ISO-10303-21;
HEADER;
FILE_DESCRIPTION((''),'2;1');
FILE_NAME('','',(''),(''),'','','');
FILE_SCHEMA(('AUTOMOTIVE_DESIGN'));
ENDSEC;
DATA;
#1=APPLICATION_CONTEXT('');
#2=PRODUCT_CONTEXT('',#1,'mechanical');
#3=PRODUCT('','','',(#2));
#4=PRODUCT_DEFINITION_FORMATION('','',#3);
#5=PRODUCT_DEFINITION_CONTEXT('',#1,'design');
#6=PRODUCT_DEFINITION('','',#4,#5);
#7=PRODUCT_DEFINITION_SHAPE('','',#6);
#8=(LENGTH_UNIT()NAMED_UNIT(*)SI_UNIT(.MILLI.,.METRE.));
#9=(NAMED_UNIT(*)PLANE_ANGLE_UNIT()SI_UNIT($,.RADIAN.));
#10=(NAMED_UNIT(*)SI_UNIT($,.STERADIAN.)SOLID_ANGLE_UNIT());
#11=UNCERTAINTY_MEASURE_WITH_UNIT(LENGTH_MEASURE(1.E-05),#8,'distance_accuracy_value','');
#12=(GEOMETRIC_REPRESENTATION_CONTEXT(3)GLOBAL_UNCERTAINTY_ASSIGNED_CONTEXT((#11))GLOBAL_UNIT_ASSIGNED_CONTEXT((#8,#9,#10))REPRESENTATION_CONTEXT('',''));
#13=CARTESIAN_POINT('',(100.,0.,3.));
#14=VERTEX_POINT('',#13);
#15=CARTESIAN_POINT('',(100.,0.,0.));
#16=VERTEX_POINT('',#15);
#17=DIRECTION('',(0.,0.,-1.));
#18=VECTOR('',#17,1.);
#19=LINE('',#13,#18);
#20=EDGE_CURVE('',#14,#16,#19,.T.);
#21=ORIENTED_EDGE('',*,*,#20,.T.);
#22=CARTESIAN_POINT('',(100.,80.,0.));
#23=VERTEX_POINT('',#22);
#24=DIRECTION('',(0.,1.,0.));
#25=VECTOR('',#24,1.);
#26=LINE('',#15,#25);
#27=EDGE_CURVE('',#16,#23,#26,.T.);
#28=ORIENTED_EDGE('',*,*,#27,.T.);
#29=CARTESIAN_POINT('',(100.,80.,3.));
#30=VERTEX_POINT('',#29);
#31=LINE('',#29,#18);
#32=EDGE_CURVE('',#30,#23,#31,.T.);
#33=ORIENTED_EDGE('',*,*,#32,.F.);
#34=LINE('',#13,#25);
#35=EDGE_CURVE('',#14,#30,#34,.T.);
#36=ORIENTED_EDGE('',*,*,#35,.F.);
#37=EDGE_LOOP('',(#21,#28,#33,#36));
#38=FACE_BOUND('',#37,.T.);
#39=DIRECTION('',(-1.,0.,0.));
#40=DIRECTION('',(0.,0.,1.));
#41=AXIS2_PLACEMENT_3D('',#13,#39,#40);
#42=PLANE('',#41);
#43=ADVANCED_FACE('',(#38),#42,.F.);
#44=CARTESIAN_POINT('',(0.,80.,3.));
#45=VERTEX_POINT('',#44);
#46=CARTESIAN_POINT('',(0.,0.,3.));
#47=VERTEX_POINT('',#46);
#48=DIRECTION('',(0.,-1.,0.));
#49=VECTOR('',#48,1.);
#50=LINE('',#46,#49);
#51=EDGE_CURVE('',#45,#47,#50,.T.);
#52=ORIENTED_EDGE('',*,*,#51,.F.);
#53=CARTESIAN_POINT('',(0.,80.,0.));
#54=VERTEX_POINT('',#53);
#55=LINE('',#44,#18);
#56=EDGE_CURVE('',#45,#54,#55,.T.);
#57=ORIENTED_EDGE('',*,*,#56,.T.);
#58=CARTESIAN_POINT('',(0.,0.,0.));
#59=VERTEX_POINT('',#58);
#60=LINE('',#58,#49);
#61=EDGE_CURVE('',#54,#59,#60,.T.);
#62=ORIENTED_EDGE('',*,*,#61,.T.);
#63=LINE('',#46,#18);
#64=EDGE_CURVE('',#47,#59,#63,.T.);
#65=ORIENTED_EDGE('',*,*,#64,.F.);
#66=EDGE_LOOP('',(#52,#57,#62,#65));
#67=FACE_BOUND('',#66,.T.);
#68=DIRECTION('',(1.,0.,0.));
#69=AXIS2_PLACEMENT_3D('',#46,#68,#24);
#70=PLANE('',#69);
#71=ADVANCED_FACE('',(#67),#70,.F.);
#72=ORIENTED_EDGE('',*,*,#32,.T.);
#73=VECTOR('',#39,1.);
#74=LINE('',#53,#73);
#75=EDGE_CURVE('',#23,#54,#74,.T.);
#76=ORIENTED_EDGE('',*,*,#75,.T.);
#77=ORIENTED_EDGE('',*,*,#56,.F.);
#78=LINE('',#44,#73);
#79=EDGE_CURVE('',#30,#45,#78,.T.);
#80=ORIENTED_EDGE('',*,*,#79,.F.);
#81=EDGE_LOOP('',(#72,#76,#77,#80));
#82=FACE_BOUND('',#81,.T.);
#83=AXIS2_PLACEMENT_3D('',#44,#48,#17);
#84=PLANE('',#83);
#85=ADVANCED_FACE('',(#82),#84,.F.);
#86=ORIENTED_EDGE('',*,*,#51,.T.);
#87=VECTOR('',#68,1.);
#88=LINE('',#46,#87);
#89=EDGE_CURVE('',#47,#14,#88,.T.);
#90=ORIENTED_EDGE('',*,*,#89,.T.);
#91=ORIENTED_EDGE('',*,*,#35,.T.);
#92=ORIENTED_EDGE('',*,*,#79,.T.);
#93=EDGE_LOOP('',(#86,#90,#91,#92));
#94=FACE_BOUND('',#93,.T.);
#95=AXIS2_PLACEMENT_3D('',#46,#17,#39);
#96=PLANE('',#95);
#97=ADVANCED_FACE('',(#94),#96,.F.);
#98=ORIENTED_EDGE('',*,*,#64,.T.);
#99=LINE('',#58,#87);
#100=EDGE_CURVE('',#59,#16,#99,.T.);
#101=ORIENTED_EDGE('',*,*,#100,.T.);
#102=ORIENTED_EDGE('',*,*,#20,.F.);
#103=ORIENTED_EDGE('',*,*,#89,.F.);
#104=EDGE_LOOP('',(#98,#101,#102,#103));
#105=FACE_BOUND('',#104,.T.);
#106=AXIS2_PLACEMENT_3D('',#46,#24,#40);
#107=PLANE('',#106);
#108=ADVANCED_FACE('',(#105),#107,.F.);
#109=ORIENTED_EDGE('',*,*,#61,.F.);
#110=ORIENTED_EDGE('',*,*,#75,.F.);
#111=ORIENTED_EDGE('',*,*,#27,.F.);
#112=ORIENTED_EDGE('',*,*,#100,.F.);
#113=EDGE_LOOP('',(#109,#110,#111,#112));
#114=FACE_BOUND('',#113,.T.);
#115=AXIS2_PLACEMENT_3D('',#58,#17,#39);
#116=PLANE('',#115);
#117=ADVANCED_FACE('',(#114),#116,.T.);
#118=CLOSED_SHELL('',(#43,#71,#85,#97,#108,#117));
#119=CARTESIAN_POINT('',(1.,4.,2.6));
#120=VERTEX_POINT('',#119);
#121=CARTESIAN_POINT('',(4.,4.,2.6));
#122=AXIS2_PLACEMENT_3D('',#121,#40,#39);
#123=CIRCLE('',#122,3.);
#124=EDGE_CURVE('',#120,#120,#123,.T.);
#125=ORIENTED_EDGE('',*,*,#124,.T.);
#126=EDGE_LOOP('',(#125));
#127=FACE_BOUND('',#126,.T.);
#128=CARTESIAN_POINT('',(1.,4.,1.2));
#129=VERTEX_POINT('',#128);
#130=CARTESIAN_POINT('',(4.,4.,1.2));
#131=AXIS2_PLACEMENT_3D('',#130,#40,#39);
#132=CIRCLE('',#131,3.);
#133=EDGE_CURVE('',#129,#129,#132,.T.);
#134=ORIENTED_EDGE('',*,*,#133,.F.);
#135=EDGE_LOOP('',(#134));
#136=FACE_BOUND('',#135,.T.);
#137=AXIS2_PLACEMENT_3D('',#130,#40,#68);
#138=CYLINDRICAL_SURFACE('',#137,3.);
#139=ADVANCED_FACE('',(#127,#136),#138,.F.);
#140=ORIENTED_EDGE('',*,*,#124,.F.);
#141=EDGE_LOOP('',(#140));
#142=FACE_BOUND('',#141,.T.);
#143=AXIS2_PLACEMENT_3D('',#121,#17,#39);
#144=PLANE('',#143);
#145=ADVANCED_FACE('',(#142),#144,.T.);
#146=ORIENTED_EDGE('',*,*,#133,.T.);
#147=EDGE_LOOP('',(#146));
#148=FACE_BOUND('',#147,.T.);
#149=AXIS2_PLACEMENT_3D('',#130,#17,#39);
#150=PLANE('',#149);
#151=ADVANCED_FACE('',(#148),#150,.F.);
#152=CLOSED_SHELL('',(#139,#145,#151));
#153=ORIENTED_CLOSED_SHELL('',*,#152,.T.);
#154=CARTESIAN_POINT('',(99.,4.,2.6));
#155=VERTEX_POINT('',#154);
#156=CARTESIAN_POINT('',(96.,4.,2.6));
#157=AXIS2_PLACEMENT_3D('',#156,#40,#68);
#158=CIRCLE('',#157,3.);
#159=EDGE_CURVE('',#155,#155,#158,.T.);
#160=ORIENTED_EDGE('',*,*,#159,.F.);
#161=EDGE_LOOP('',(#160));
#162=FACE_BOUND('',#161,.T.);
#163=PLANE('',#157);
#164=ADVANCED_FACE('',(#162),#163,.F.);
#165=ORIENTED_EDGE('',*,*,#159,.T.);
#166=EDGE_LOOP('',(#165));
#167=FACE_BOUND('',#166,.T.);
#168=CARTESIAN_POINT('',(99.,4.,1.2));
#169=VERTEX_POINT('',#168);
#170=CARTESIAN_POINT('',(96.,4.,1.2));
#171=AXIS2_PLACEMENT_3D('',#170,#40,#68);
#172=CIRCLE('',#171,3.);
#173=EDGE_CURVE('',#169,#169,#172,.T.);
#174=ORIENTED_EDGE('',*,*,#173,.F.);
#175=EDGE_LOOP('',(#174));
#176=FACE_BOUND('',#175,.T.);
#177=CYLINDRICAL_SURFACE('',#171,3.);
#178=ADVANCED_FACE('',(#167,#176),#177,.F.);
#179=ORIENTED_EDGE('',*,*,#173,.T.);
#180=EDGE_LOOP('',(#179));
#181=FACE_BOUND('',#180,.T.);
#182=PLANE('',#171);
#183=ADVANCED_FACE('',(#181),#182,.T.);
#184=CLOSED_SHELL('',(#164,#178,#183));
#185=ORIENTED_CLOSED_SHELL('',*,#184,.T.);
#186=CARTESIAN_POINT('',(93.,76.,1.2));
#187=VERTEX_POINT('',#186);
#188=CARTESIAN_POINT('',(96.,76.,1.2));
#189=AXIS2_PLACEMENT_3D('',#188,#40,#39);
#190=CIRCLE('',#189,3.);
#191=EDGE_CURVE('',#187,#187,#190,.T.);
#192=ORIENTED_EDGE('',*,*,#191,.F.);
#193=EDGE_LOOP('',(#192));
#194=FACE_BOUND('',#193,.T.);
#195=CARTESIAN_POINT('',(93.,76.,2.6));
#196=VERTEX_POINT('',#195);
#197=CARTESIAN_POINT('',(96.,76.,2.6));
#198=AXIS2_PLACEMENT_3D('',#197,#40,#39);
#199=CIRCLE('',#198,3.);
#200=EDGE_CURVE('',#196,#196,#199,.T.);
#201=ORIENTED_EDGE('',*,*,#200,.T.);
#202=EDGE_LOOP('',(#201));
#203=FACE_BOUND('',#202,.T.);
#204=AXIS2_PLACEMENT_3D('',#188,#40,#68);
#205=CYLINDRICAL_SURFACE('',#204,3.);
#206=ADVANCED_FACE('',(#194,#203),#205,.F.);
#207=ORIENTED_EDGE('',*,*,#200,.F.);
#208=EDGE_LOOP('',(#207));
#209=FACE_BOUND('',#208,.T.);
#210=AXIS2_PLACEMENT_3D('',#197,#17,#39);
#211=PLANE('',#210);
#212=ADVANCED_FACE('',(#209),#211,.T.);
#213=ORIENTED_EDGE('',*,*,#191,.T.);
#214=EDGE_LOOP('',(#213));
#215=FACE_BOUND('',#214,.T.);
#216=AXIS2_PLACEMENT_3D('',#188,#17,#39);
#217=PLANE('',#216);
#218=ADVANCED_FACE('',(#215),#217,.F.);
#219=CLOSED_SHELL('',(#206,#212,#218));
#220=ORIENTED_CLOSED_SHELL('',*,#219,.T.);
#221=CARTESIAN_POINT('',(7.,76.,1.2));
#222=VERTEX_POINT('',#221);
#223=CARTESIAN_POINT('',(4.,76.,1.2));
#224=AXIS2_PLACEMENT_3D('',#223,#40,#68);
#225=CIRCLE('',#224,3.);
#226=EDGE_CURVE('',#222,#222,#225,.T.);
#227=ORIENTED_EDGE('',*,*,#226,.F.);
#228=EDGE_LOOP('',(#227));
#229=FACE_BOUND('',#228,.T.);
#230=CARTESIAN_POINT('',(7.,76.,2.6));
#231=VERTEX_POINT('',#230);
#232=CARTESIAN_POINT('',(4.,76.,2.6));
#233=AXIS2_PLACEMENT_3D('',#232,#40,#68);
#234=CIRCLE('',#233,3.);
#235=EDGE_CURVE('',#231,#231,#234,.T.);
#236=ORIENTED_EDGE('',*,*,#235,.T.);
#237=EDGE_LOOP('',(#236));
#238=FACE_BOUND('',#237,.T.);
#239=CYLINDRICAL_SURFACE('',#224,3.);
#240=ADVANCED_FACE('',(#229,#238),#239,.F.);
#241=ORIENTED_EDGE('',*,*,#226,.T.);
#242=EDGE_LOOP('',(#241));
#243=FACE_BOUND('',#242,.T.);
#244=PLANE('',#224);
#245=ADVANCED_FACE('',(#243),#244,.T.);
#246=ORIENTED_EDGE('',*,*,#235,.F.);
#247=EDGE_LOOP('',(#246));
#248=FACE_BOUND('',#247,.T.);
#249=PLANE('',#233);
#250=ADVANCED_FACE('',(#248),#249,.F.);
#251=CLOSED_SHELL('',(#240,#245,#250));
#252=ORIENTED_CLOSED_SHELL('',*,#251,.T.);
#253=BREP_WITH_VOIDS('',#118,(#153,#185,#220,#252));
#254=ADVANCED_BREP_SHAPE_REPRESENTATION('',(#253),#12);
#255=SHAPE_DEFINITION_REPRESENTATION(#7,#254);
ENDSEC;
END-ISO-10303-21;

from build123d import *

# Parameters (mm, degrees)
SKICA1_W                 = 100
SKICA1_H                 = 80
P_IDAT_VYSUNUT_M1_DEPTH  = 3
ODEBRAT_START            = -0.4
SKICA2_R                 = 3
ODEBRAT_VYSUNUT_M1_DEPTH = 1.4


with BuildPart() as part:
    # Skica1 → Přidat vysunutím1 (new body)
    with BuildSketch(Plane.XY):
        with Locations((50, 40)):
            Rectangle(SKICA1_W, SKICA1_H)
    extrude(amount=P_IDAT_VYSUNUT_M1_DEPTH)

    # Skica2 → Odebrat vysunutím1 (cut)
    with BuildSketch(Plane.XY.offset(3).offset(ODEBRAT_START)):
        with Locations((4, 76)):
            Circle(SKICA2_R)
        with Locations((96, 76)):
            Circle(SKICA2_R)
        with Locations((96, 4)):
            Circle(SKICA2_R)
        with Locations((4, 4)):
            Circle(SKICA2_R)
    extrude(amount=-ODEBRAT_VYSUNUT_M1_DEPTH, mode=Mode.SUBTRACT)


solid = part.part
